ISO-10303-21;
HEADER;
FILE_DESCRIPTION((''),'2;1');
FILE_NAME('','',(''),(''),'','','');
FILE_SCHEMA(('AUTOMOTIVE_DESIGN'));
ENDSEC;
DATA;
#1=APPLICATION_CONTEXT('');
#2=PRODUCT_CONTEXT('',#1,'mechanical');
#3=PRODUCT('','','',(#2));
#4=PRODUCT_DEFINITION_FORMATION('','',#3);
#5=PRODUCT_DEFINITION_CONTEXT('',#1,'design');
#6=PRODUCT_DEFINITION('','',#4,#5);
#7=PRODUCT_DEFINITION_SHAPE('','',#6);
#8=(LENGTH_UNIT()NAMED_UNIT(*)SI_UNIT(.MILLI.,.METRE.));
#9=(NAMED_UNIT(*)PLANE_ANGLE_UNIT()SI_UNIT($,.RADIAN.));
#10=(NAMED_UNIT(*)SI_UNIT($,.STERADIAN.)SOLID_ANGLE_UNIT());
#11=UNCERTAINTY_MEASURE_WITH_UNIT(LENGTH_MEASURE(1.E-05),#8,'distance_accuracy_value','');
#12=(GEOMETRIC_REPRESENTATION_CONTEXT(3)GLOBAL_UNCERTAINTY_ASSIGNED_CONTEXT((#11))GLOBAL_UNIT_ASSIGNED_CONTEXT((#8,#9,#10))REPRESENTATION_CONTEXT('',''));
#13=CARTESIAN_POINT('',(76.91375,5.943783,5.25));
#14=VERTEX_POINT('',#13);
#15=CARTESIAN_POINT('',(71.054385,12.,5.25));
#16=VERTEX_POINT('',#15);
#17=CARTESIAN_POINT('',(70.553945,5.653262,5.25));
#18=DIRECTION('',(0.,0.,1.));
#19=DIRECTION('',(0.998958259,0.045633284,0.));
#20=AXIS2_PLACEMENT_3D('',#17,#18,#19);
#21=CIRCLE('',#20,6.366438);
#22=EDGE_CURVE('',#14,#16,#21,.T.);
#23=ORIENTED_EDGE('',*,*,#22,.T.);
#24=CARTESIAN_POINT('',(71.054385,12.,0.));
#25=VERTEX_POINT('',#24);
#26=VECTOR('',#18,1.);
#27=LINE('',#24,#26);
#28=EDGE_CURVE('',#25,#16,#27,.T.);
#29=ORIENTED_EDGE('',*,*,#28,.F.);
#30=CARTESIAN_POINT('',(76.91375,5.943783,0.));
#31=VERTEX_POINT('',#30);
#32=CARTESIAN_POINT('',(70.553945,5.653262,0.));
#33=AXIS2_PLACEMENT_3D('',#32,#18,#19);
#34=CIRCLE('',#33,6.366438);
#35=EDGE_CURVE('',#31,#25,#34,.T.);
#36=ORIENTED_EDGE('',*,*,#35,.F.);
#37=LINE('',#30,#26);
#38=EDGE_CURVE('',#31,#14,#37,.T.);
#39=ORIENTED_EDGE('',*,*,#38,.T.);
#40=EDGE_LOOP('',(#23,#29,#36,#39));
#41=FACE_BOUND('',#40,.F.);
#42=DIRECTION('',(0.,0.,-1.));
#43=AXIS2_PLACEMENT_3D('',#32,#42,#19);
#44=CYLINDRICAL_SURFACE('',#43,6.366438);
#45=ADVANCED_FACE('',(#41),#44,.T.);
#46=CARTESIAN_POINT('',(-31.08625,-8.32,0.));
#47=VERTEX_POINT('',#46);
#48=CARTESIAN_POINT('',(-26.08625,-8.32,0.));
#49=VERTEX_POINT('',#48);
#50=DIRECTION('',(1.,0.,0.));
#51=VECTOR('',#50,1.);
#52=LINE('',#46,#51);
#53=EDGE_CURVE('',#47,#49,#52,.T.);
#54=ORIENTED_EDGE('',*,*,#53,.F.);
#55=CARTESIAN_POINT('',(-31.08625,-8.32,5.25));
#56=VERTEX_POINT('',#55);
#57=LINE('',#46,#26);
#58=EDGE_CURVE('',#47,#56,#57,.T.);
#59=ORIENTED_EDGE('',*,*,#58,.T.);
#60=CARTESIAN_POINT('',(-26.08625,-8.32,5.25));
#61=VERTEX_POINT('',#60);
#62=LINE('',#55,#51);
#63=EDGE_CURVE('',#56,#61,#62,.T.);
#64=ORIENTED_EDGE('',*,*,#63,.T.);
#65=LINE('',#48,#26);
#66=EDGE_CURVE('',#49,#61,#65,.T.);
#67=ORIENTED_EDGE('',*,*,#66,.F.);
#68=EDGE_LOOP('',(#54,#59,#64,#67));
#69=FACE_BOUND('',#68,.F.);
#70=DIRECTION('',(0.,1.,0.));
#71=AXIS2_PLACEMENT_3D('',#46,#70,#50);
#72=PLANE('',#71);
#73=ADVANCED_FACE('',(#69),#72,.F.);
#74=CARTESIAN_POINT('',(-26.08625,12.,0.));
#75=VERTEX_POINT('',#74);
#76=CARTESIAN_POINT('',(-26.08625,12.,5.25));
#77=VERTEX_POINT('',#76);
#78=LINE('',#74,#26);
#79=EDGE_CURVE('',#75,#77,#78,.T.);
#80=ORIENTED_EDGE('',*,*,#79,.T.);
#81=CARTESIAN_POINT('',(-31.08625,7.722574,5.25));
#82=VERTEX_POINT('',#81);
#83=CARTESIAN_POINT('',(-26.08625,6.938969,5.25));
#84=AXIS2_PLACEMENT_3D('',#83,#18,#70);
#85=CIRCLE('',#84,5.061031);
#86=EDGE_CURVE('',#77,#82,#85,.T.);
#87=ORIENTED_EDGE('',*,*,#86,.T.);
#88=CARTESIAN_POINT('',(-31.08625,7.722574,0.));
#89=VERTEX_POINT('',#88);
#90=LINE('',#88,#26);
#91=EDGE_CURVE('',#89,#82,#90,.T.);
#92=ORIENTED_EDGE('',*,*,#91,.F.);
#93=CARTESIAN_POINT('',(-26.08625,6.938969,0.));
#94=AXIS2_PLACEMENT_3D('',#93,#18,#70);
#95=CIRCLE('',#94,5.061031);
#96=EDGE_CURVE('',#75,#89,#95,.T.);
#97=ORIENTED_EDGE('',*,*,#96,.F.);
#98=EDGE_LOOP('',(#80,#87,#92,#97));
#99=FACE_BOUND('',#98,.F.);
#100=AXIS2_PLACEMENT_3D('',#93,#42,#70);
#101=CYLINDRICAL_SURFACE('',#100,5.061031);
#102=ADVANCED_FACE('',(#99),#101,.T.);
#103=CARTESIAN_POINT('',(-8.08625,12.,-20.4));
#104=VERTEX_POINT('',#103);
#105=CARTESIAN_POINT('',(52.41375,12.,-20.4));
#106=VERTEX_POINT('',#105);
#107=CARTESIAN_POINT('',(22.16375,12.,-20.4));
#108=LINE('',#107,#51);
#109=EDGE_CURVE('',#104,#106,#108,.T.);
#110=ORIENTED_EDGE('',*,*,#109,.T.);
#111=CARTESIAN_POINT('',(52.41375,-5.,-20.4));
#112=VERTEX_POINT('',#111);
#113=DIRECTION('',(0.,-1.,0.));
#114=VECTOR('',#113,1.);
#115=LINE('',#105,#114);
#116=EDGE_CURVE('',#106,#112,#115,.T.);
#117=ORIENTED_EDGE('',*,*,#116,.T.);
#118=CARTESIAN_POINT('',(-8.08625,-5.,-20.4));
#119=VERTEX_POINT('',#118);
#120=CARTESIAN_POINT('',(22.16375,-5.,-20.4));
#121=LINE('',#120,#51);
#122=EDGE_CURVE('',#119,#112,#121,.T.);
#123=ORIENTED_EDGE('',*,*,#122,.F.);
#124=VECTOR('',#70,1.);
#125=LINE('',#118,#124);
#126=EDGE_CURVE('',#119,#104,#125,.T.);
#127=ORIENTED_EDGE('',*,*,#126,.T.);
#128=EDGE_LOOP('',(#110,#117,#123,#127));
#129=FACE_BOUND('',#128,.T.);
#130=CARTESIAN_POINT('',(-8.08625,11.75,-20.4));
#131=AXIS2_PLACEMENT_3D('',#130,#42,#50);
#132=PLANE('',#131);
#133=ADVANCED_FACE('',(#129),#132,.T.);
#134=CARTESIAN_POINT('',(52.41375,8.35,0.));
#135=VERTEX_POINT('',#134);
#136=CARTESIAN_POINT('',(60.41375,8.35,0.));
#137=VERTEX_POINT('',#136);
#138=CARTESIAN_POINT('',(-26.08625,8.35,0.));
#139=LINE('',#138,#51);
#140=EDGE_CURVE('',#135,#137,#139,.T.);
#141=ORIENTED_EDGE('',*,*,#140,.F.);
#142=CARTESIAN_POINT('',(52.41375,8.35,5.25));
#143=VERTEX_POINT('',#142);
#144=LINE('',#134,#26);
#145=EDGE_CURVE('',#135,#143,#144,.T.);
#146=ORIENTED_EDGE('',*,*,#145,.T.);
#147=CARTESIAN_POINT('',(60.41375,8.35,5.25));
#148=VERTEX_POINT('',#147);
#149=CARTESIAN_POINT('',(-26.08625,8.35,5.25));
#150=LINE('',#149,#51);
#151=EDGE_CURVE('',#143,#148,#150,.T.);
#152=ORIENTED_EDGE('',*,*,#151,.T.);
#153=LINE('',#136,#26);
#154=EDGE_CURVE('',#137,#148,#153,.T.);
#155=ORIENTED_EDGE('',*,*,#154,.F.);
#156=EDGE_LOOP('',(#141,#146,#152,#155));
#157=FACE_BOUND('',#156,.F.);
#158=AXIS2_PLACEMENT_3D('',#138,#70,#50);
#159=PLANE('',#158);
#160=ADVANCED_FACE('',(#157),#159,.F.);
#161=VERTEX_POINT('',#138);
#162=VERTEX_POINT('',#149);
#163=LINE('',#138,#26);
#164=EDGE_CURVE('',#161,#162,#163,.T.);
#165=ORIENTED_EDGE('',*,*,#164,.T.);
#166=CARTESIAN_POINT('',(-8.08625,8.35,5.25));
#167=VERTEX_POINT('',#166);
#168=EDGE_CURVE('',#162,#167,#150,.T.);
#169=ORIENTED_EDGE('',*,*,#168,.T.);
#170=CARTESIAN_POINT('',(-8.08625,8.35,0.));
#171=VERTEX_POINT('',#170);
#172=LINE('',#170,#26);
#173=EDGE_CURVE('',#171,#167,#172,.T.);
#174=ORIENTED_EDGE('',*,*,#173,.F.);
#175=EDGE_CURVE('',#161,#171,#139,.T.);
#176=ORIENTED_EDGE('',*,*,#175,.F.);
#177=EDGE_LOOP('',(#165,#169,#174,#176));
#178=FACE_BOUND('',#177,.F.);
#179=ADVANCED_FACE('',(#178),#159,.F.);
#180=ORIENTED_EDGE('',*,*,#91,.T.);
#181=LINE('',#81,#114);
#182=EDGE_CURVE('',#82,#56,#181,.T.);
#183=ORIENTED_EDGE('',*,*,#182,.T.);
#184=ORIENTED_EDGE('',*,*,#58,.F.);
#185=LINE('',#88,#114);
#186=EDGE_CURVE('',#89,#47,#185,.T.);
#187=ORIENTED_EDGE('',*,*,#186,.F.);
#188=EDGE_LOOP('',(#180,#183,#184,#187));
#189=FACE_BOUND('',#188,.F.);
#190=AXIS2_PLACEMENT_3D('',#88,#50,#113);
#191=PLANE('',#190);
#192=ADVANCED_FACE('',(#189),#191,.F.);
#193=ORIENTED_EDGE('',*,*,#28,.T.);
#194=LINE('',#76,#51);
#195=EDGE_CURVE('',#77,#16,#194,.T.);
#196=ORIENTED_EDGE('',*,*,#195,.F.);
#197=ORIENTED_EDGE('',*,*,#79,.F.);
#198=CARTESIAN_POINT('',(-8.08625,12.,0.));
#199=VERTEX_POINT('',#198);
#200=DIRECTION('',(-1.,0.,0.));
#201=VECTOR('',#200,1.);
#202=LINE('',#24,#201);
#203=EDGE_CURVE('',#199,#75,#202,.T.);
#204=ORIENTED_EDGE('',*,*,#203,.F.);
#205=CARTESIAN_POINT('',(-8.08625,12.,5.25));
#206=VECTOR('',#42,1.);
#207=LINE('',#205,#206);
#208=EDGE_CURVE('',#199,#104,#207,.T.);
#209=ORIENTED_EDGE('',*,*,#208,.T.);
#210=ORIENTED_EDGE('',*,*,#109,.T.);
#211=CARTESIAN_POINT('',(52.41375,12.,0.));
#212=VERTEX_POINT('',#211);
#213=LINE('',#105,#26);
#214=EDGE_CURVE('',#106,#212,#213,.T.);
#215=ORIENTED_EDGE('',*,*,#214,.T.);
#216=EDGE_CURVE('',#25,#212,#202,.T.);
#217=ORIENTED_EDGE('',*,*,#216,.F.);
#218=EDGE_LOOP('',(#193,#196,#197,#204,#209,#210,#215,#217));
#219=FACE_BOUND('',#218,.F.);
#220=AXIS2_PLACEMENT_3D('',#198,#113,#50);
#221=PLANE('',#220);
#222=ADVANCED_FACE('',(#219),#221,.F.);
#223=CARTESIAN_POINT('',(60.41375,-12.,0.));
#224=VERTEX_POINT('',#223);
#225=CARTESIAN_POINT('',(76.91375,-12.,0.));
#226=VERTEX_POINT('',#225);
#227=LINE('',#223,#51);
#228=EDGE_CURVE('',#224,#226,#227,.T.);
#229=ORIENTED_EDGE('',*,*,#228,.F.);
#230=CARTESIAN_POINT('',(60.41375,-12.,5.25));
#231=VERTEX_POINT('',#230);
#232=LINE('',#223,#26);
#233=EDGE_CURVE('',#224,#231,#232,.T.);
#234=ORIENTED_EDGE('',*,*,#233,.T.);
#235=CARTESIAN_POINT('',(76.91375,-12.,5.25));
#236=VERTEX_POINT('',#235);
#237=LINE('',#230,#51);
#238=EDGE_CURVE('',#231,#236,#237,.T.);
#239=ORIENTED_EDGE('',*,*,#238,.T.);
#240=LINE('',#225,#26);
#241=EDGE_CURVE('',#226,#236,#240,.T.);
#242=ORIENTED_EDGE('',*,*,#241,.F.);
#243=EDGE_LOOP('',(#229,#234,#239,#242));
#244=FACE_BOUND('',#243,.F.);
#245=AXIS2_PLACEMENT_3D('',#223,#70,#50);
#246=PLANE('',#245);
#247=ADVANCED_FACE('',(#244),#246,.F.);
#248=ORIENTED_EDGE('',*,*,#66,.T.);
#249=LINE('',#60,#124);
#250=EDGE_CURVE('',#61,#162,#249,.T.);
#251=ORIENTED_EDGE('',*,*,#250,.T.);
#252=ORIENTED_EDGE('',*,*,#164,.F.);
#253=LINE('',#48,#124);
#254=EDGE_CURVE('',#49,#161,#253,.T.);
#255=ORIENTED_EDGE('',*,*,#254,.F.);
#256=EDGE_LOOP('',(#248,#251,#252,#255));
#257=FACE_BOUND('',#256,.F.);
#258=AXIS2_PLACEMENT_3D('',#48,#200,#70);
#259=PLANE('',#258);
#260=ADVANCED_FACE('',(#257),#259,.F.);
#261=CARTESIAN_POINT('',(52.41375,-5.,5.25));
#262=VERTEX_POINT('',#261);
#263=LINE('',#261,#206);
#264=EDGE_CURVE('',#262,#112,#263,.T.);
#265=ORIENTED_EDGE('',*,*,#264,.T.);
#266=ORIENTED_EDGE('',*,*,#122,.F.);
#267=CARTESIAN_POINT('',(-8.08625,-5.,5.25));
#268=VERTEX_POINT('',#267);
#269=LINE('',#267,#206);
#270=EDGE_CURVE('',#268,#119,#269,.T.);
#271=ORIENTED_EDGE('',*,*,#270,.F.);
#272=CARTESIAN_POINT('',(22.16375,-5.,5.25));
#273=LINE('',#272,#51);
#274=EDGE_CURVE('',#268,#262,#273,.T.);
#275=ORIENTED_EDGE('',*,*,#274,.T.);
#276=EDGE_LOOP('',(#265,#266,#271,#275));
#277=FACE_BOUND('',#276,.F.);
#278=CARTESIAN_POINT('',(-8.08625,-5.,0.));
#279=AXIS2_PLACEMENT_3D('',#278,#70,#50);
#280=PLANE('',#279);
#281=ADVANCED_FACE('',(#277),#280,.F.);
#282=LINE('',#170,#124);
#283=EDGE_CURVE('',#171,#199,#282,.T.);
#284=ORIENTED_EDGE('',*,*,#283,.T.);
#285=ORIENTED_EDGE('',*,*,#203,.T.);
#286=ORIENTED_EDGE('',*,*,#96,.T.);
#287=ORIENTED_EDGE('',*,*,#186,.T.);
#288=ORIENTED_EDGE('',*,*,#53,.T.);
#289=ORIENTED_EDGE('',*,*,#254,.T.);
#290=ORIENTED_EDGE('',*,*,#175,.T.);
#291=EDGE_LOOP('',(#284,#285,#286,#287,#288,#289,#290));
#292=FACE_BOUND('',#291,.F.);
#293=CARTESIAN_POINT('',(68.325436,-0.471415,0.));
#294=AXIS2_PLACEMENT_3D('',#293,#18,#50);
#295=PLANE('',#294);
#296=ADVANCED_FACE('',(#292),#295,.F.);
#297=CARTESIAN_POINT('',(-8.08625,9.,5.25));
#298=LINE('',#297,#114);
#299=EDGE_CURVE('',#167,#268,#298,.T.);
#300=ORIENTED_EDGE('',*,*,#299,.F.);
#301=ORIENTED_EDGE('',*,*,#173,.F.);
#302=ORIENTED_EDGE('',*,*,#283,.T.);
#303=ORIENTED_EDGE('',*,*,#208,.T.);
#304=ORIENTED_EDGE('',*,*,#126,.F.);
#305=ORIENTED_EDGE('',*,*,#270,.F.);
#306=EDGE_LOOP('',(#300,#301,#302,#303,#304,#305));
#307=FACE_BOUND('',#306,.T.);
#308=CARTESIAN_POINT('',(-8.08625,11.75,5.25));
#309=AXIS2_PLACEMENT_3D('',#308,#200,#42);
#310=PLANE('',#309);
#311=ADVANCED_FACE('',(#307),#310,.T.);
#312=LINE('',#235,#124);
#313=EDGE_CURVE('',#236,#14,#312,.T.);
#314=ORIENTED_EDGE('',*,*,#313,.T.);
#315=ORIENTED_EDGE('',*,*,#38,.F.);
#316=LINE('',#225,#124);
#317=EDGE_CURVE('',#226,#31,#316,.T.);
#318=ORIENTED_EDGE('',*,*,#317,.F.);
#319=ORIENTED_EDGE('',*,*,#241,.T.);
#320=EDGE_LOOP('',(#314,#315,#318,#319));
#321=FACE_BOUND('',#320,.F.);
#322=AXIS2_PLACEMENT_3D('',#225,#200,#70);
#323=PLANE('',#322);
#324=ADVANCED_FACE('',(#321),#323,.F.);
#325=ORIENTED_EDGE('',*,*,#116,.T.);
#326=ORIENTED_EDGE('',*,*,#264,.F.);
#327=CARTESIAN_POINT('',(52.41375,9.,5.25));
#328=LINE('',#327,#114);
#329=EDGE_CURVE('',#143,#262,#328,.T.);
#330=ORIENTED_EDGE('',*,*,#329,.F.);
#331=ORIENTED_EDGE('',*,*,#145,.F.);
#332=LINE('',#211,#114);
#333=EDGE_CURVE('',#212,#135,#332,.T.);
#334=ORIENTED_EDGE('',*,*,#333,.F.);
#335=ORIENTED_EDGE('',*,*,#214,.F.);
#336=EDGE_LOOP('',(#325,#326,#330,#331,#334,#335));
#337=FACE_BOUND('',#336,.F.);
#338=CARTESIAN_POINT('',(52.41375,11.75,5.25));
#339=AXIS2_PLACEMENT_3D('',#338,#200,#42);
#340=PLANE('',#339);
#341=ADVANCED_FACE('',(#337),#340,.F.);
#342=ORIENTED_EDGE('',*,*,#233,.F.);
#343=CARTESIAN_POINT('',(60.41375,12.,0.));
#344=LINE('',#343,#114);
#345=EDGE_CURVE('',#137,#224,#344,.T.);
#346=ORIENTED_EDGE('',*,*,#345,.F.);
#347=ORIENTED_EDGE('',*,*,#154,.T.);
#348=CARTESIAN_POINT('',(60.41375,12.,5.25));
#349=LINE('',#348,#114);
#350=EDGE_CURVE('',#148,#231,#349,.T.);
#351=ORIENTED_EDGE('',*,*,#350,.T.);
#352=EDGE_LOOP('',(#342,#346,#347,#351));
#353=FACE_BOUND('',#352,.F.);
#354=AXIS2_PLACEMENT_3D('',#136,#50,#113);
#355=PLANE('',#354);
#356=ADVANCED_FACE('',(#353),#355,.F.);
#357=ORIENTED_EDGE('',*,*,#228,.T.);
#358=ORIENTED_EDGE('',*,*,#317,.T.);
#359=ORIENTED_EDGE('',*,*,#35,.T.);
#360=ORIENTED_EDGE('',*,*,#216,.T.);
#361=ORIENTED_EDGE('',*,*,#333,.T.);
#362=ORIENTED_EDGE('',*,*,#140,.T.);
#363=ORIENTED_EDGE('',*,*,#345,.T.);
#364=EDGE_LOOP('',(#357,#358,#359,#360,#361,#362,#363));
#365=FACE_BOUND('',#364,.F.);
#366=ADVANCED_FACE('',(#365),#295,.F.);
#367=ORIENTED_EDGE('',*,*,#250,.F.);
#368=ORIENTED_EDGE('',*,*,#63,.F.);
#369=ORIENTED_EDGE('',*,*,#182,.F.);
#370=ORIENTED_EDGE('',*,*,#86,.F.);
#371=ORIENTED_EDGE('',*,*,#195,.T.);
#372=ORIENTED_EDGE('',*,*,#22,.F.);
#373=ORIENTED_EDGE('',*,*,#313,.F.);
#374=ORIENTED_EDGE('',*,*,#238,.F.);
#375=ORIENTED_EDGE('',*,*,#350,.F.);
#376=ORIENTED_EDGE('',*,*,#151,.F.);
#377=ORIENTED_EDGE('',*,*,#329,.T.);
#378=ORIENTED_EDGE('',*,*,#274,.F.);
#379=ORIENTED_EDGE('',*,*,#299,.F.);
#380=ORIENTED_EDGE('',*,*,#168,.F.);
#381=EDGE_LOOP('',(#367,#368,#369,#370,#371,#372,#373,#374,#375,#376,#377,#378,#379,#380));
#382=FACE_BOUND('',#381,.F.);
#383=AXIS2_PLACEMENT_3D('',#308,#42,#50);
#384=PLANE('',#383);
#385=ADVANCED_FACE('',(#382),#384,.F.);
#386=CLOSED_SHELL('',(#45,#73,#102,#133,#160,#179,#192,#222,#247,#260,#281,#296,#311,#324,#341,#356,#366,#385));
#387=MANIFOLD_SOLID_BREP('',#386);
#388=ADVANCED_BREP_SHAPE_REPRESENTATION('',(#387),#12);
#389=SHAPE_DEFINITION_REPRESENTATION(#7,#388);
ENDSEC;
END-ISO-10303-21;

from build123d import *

# Parameters (mm, degrees)
F0_W     = 60.5
F0_H     = 6.85
F1_DEPTH = 5.25
F2_DEPTH = 20.4
F3_W     = 60.5
F3_H     = 20.4
F4_DEPTH = 3
F5_DEPTH = 7
F6_DEPTH = 14
F7_DEPTH = 7.1
F8_DEPTH = 5.25
F9_DEPTH = 0.25


with BuildPart() as f1:
    # F0 (on Top) → F1 (new body)
    with BuildSketch(Plane.XY):
        with BuildLine():
            Line((71.054384552, 12), (70.0535051376, 12))
            Line((70.0535051376, 12), (60.4137502015, 12))
            Line((60.4137502015, 12), (60.4137502015, 8.35))
            Line((60.4137502015, 8.35), (60.4137502015, -12))
            Line((60.4137502015, -12), (76.9137502015, -12))
            Line((76.9137502015, -12), (76.9137502015, 5.3627402522))
            Line((76.9137502015, 5.3627402522), (76.9137502015, 5.9437831573))
            ThreePointArc((76.9137502015, 5.9437831573), (75.1294427626, 10.0800376979), (71.054384552, 12))
        make_face()
        with BuildLine():
            Line((-26.0862497985, -8.32), (-26.0862497985, 8.35))
            Line((-26.0862497985, 8.35), (-26.0862497985, 12))
            ThreePointArc((-26.0862497985, 12), (-29.3762488381, 10.7847383112), (-31.0862497985, 7.7225738205))
            Line((-31.0862497985, 7.7225738205), (-31.0862497985, -8.32))
            Line((-31.0862497985, -8.32), (-26.0862497985, -8.32))
        make_face()
        Polygon((60.4137502015, 8.35), (60.4137502015, 12), (52.4137502015, 12), (-8.0862497985, 12), (-26.0862497985, 12), (-26.0862497985, 8.35), align=None)
        with Locations((22.1637502015, 15.425)):
            Rectangle(F0_W, F0_H)
    extrude(amount=F1_DEPTH)

    # F0 (on Top) → F2 (join)
    with BuildSketch(Plane.XY):
        with Locations((22.1637502015, 15.425)):
            Rectangle(F0_W, F0_H)
    extrude(amount=-F2_DEPTH)

    # F3 (on face) → F4 (join)
    with BuildSketch(Plane.XZ.offset(-12)):
        with Locations((22.1637502015, -10.2)):
            Rectangle(F3_W, F3_H)
    extrude(amount=F4_DEPTH)

    # F5 (add): a face of the model
    f5_faces = [f1.faces().sort_by_distance(p)[0] for p in [
        (22.1637502015, 18.85, -7.575),
    ]]
    extrude(f5_faces, amount=-F5_DEPTH)

    # F6 (add): a face of the model
    f6_faces = [f1.faces().sort_by_distance(p)[0] for p in [
        (22.1637502015, 9, -10.2),
    ]]
    extrude(f6_faces, amount=F6_DEPTH)

    # F7 (cut): a face of the model
    f7_faces = [f1.faces().sort_by_distance(p)[0] for p in [
        (22.1637502015, 18.85, -7.575),
    ]]
    extrude(f7_faces, amount=-F7_DEPTH, mode=Mode.SUBTRACT)

    # F8 (add): a face of the model
    f8_faces = [f1.faces().sort_by_distance(p)[0] for p in [
        (22.1637502015, 1.675, 0),
    ]]
    extrude(f8_faces, amount=F8_DEPTH)

    # F9 (add): a face of the model
    f9_faces = [f1.faces().sort_by_distance(p)[0] for p in [
        (22.1637502015, 11.75, -7.575),
    ]]
    extrude(f9_faces, amount=F9_DEPTH)


solid = f1.part
